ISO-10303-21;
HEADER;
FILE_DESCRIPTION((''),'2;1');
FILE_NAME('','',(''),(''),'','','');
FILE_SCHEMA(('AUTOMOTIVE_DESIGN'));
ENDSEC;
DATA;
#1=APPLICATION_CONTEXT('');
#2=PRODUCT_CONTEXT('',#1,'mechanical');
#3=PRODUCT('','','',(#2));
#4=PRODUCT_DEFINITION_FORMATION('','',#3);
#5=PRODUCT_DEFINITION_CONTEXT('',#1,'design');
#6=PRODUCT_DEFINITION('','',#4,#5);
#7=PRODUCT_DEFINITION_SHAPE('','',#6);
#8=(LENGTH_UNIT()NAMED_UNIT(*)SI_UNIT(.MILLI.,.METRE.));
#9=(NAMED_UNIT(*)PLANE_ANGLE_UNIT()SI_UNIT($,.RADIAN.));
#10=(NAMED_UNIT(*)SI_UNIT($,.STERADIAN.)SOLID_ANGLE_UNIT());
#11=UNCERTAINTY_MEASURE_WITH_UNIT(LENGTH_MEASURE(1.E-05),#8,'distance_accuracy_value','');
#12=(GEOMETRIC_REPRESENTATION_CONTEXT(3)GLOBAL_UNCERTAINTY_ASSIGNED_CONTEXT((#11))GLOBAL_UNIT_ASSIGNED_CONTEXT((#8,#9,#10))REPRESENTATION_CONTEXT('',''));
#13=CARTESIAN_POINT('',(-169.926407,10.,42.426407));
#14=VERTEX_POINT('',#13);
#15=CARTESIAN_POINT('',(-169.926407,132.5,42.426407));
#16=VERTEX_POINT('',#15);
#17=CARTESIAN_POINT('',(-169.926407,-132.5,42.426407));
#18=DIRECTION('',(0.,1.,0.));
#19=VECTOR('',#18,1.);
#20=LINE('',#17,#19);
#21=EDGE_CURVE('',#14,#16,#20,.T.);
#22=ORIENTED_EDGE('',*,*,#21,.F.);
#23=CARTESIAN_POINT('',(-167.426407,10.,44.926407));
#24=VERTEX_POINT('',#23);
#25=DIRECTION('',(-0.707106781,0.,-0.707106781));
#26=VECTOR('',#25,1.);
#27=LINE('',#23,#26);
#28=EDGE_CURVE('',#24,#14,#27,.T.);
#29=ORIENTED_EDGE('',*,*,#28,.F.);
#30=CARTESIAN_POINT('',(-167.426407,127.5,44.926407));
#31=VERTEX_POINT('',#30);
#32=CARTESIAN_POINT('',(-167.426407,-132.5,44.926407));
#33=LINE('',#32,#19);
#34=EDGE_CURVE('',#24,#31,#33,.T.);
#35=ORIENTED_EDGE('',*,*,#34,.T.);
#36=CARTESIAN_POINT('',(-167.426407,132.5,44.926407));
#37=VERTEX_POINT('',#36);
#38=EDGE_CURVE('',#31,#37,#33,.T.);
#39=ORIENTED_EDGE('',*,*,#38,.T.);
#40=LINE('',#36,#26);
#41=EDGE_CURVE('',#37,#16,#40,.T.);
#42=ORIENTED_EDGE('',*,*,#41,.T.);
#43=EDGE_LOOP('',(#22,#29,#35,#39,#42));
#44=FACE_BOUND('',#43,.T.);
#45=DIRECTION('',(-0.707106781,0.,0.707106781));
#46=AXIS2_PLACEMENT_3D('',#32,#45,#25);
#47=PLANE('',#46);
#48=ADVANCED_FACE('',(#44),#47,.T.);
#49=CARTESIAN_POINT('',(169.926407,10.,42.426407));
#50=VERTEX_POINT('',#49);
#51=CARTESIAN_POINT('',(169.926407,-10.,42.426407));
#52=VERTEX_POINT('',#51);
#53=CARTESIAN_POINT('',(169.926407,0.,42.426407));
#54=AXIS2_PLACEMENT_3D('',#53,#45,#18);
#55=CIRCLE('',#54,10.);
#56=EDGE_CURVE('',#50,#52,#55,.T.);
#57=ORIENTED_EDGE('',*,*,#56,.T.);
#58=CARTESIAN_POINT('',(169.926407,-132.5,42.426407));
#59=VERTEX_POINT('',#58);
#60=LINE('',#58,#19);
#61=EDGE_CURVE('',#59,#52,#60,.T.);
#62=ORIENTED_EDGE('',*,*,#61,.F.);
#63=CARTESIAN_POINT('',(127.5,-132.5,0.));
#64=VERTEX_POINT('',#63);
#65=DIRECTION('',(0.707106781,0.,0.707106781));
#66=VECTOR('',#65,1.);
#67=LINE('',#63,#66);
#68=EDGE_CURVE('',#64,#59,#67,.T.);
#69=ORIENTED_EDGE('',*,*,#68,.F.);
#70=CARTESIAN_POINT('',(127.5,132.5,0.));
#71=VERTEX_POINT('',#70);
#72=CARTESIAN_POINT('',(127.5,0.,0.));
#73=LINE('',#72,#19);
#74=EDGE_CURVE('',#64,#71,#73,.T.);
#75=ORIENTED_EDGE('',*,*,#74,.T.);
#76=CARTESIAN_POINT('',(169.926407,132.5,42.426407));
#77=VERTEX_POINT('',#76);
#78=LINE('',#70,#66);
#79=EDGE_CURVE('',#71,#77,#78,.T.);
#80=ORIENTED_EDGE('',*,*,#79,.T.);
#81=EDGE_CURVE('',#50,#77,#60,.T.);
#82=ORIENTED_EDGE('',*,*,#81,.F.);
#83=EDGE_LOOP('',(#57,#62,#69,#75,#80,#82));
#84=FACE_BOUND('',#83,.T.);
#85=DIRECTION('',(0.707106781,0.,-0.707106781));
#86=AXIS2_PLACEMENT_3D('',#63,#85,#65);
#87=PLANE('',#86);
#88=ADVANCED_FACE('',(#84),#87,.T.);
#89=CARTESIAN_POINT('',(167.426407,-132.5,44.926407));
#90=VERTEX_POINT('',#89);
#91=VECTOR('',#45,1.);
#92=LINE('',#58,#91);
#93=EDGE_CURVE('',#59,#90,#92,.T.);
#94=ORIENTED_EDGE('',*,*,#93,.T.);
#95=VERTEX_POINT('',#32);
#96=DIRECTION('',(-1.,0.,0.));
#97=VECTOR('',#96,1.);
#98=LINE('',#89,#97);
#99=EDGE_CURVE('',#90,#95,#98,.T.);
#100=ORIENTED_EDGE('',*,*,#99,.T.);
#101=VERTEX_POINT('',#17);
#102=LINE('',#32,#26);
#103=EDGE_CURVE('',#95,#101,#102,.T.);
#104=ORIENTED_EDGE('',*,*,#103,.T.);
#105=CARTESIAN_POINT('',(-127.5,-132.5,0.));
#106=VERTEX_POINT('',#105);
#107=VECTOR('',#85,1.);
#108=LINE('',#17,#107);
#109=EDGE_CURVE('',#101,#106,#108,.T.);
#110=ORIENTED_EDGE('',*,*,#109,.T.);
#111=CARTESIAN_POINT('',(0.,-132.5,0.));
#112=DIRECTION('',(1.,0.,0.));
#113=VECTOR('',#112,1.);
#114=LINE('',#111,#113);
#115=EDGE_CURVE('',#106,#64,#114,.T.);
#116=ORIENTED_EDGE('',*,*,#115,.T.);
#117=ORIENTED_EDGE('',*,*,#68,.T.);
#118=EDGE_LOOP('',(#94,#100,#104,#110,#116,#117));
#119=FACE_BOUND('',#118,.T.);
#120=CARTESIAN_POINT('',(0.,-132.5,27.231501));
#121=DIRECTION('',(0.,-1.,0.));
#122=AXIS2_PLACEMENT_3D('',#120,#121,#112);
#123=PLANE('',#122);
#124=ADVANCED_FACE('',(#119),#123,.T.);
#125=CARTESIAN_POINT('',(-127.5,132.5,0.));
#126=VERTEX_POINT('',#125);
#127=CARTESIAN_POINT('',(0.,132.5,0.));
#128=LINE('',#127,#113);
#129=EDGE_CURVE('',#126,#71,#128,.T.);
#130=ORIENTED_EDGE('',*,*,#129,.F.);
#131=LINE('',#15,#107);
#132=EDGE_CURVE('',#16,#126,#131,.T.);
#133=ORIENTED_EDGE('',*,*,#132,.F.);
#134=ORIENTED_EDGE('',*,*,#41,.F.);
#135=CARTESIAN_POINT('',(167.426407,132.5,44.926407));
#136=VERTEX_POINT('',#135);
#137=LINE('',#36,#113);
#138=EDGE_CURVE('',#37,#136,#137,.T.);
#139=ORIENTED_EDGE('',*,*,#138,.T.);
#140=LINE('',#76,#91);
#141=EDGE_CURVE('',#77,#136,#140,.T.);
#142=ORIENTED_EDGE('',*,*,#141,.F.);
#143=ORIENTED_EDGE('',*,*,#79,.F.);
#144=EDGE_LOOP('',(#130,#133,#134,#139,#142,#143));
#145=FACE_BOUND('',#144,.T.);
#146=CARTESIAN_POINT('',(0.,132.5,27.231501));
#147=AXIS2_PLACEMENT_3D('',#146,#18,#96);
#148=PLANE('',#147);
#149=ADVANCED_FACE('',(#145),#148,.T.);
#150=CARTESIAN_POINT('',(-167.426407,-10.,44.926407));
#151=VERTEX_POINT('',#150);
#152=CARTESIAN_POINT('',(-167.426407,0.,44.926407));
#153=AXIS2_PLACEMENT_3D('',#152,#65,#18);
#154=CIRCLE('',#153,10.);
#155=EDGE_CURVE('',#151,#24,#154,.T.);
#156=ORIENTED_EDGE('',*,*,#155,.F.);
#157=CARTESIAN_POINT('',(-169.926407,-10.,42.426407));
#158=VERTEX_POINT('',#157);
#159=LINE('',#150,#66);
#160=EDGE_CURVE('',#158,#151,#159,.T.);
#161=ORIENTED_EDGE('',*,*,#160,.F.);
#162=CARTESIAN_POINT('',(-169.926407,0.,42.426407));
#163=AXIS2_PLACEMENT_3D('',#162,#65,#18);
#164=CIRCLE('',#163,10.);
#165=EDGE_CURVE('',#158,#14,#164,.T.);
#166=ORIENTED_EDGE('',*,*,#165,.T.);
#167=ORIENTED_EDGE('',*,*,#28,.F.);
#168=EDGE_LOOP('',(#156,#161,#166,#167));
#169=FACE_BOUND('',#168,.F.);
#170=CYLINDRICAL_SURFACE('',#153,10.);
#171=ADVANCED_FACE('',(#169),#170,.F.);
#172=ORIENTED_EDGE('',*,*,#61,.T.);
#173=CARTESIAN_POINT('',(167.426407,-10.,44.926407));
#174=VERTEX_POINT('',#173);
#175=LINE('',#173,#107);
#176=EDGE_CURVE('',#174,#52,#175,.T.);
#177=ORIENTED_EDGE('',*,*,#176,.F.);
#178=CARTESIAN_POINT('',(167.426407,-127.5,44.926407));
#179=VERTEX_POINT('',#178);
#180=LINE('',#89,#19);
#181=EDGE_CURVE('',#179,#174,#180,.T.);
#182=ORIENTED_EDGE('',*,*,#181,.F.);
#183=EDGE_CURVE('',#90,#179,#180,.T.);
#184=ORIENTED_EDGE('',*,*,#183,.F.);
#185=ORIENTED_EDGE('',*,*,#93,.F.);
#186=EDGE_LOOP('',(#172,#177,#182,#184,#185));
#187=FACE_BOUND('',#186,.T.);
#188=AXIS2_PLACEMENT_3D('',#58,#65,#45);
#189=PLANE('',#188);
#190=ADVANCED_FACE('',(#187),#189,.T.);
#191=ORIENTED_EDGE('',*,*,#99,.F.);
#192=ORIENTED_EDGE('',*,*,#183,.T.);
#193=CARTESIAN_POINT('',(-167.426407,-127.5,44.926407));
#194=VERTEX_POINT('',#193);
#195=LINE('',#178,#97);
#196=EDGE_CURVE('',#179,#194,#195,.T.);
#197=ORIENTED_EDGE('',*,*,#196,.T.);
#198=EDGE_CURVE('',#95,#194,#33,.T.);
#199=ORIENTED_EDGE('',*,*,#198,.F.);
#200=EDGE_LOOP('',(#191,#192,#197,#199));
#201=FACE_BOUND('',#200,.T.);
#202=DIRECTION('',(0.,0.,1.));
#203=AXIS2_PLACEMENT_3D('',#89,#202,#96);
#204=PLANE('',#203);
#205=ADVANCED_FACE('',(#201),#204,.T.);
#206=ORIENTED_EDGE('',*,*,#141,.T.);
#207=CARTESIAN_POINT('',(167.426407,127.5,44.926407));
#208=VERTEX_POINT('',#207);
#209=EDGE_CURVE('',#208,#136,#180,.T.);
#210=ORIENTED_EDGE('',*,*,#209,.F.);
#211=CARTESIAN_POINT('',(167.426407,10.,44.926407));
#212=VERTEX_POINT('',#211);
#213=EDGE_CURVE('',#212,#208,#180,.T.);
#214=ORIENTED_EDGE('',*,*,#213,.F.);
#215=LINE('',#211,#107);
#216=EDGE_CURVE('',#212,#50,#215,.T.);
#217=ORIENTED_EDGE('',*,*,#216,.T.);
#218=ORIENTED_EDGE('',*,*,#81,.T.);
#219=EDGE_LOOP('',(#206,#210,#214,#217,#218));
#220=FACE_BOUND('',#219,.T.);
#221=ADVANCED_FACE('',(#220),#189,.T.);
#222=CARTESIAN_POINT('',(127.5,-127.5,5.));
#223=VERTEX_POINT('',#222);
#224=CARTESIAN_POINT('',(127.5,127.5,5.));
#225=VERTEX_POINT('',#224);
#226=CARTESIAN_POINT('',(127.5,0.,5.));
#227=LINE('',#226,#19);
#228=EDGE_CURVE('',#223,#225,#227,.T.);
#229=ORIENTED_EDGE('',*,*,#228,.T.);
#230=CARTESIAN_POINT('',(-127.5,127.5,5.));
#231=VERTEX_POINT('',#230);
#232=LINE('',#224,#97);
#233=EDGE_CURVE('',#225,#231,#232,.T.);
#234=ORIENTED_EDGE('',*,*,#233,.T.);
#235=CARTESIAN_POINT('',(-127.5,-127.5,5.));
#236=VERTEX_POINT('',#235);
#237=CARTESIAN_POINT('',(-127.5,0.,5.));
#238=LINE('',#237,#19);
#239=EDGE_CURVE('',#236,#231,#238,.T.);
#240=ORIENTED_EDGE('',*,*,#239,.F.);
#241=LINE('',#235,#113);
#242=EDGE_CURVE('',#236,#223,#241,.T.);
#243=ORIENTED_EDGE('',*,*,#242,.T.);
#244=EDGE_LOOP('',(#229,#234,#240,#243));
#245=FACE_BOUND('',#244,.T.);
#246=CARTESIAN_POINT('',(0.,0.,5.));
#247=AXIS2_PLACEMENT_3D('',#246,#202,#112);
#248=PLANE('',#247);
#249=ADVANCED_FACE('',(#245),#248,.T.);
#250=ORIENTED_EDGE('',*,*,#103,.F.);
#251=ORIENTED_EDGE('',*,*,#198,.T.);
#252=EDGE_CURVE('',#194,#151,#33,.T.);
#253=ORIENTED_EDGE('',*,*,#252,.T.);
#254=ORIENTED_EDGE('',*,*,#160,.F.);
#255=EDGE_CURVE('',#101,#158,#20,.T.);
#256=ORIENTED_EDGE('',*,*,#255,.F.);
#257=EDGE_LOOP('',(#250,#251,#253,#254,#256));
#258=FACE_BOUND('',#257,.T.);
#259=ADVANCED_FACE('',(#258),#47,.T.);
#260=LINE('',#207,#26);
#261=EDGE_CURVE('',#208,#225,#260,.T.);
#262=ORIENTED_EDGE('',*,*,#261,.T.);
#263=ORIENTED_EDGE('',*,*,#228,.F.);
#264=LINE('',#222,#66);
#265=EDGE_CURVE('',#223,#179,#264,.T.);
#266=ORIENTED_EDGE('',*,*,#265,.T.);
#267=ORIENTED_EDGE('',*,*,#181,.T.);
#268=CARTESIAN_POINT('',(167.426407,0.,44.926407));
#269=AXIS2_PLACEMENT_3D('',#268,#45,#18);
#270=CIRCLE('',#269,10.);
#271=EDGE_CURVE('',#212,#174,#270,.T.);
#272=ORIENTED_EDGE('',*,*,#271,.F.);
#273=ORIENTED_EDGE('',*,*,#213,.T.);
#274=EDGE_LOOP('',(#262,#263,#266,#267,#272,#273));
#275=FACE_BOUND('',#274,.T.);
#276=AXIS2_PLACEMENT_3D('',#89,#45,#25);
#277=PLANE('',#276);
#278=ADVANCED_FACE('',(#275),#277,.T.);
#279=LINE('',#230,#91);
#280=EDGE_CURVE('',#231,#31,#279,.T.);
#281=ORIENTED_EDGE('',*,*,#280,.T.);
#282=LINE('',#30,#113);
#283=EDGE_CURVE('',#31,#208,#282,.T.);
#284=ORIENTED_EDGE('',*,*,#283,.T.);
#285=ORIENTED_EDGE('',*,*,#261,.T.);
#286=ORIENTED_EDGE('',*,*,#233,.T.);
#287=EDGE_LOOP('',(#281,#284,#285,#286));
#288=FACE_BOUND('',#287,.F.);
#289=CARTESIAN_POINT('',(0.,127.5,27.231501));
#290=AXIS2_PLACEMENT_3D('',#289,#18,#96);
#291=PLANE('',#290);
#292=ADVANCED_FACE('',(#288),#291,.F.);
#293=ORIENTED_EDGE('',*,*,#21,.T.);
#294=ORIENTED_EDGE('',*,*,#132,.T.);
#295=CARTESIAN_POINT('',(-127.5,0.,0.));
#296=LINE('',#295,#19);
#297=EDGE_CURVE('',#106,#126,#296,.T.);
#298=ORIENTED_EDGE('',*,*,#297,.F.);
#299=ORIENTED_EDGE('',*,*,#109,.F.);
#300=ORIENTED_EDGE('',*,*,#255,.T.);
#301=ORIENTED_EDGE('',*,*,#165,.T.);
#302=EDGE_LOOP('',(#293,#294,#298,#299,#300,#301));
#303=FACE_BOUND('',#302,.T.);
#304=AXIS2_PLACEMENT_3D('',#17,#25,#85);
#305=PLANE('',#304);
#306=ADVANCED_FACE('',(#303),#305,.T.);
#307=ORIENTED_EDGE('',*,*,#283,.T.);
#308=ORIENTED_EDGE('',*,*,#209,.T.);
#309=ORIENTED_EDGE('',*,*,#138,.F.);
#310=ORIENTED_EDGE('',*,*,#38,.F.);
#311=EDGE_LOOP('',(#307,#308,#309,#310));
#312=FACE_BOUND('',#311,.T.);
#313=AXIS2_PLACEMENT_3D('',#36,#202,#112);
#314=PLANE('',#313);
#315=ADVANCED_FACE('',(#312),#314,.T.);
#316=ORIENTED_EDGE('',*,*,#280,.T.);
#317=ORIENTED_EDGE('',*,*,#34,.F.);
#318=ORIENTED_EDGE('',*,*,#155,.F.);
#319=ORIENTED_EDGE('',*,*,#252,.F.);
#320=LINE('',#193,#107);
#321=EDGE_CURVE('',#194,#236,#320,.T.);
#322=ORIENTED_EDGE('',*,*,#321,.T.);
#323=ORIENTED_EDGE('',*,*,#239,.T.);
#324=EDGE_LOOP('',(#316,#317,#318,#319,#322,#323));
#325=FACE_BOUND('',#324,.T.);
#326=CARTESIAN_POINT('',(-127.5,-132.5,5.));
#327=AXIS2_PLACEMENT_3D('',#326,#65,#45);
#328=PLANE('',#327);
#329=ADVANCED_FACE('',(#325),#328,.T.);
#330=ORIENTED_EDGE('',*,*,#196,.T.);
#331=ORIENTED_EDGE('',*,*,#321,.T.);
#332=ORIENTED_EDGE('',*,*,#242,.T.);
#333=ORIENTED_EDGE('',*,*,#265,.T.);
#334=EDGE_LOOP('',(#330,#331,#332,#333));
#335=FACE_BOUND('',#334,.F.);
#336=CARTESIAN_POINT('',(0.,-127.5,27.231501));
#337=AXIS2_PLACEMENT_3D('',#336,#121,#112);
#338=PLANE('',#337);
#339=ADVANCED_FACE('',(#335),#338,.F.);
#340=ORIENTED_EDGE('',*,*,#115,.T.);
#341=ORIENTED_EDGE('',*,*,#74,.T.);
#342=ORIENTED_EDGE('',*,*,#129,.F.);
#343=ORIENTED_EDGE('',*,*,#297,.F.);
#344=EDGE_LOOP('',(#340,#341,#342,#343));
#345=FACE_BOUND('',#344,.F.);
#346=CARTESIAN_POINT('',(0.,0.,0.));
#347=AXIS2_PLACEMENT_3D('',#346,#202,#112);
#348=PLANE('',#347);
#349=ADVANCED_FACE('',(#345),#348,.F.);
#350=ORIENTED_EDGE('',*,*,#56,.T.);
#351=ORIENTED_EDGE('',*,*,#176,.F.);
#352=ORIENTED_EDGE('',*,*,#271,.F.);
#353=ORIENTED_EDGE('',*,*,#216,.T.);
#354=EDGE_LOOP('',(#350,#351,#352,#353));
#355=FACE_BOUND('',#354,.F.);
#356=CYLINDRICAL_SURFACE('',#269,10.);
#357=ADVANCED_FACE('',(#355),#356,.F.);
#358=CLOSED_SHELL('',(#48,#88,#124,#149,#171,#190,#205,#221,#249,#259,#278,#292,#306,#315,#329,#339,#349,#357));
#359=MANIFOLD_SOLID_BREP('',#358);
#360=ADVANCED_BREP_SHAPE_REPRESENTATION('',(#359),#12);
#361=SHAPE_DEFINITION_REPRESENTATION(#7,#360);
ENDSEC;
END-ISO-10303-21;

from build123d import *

# Parameters (mm, degrees)
F0_W      = 255
F0_H      = 265
F1_DEPTH  = 5
F3_DEPTH  = 265
F4_R      = 10
F5_DEPTH  = 25
F7_DEPTH  = 25
F9_DEPTH  = 5
F11_DEPTH = 5


with BuildPart() as f1:
    # F0 (on Top) → F1 (new body)
    with BuildSketch(Plane.XY):
        Rectangle(F0_W, F0_H)
    extrude(amount=F1_DEPTH)

    # F2 (on face) → F3 (join)
    with BuildSketch(Plane.XZ.offset(132.5)):
        Polygon((-169.9264068712, 42.4264068712), (-127.5, 0), (-127.5, 5), (-167.4264068712, 44.9264068712), align=None)
        Polygon((127.5, 5), (127.5, 0), (169.9264068712, 42.4264068712), (167.4264068712, 44.9264068712), align=None)
    extrude(amount=-F3_DEPTH)

    # F4 (on face) → F5 (cut)
    with BuildSketch(Plane(origin=(-61.25, 0, -61.25), x_dir=(0, 1, 0), z_dir=(0.7071067812, 0, 0.7071067812))):
        with Locations((0, 150.1561146013)):
            Circle(F4_R)
    extrude(amount=-F5_DEPTH, mode=Mode.SUBTRACT)

    # F6 (on face) → F7 (cut)
    with BuildSketch(Plane(origin=(61.25, 0, -61.25), x_dir=(0, -1, 0), z_dir=(-0.7071067812, 0, 0.7071067812))):
        with BuildLine():
            ThreePointArc((-10, 150.1561146013), (0, 140.1561146013), (10, 150.1561146013))
            Line((10, 150.1561146013), (-10, 150.1561146013))
        make_face()
    extrude(amount=-F7_DEPTH, mode=Mode.SUBTRACT)

    # F8 (on face) → F9 (join)
    with BuildSketch(Plane.XZ.offset(132.5)):
        Polygon((167.4264068712, 44.9264068712), (-167.4264068712, 44.9264068712), (-127.5, 5), (127.5, 5), align=None)
    extrude(amount=-F9_DEPTH)

    # F10 (on face) → F11 (join)
    with BuildSketch(Plane(origin=(0, 132.5, 0), x_dir=(-1, 0, 0), z_dir=(0, 1, 0))):
        Polygon((167.4264068712, 44.9264068712), (-167.4264068712, 44.9264068712), (-127.5, 5), (127.5, 5), align=None)
    extrude(amount=-F11_DEPTH)


solid = f1.part
